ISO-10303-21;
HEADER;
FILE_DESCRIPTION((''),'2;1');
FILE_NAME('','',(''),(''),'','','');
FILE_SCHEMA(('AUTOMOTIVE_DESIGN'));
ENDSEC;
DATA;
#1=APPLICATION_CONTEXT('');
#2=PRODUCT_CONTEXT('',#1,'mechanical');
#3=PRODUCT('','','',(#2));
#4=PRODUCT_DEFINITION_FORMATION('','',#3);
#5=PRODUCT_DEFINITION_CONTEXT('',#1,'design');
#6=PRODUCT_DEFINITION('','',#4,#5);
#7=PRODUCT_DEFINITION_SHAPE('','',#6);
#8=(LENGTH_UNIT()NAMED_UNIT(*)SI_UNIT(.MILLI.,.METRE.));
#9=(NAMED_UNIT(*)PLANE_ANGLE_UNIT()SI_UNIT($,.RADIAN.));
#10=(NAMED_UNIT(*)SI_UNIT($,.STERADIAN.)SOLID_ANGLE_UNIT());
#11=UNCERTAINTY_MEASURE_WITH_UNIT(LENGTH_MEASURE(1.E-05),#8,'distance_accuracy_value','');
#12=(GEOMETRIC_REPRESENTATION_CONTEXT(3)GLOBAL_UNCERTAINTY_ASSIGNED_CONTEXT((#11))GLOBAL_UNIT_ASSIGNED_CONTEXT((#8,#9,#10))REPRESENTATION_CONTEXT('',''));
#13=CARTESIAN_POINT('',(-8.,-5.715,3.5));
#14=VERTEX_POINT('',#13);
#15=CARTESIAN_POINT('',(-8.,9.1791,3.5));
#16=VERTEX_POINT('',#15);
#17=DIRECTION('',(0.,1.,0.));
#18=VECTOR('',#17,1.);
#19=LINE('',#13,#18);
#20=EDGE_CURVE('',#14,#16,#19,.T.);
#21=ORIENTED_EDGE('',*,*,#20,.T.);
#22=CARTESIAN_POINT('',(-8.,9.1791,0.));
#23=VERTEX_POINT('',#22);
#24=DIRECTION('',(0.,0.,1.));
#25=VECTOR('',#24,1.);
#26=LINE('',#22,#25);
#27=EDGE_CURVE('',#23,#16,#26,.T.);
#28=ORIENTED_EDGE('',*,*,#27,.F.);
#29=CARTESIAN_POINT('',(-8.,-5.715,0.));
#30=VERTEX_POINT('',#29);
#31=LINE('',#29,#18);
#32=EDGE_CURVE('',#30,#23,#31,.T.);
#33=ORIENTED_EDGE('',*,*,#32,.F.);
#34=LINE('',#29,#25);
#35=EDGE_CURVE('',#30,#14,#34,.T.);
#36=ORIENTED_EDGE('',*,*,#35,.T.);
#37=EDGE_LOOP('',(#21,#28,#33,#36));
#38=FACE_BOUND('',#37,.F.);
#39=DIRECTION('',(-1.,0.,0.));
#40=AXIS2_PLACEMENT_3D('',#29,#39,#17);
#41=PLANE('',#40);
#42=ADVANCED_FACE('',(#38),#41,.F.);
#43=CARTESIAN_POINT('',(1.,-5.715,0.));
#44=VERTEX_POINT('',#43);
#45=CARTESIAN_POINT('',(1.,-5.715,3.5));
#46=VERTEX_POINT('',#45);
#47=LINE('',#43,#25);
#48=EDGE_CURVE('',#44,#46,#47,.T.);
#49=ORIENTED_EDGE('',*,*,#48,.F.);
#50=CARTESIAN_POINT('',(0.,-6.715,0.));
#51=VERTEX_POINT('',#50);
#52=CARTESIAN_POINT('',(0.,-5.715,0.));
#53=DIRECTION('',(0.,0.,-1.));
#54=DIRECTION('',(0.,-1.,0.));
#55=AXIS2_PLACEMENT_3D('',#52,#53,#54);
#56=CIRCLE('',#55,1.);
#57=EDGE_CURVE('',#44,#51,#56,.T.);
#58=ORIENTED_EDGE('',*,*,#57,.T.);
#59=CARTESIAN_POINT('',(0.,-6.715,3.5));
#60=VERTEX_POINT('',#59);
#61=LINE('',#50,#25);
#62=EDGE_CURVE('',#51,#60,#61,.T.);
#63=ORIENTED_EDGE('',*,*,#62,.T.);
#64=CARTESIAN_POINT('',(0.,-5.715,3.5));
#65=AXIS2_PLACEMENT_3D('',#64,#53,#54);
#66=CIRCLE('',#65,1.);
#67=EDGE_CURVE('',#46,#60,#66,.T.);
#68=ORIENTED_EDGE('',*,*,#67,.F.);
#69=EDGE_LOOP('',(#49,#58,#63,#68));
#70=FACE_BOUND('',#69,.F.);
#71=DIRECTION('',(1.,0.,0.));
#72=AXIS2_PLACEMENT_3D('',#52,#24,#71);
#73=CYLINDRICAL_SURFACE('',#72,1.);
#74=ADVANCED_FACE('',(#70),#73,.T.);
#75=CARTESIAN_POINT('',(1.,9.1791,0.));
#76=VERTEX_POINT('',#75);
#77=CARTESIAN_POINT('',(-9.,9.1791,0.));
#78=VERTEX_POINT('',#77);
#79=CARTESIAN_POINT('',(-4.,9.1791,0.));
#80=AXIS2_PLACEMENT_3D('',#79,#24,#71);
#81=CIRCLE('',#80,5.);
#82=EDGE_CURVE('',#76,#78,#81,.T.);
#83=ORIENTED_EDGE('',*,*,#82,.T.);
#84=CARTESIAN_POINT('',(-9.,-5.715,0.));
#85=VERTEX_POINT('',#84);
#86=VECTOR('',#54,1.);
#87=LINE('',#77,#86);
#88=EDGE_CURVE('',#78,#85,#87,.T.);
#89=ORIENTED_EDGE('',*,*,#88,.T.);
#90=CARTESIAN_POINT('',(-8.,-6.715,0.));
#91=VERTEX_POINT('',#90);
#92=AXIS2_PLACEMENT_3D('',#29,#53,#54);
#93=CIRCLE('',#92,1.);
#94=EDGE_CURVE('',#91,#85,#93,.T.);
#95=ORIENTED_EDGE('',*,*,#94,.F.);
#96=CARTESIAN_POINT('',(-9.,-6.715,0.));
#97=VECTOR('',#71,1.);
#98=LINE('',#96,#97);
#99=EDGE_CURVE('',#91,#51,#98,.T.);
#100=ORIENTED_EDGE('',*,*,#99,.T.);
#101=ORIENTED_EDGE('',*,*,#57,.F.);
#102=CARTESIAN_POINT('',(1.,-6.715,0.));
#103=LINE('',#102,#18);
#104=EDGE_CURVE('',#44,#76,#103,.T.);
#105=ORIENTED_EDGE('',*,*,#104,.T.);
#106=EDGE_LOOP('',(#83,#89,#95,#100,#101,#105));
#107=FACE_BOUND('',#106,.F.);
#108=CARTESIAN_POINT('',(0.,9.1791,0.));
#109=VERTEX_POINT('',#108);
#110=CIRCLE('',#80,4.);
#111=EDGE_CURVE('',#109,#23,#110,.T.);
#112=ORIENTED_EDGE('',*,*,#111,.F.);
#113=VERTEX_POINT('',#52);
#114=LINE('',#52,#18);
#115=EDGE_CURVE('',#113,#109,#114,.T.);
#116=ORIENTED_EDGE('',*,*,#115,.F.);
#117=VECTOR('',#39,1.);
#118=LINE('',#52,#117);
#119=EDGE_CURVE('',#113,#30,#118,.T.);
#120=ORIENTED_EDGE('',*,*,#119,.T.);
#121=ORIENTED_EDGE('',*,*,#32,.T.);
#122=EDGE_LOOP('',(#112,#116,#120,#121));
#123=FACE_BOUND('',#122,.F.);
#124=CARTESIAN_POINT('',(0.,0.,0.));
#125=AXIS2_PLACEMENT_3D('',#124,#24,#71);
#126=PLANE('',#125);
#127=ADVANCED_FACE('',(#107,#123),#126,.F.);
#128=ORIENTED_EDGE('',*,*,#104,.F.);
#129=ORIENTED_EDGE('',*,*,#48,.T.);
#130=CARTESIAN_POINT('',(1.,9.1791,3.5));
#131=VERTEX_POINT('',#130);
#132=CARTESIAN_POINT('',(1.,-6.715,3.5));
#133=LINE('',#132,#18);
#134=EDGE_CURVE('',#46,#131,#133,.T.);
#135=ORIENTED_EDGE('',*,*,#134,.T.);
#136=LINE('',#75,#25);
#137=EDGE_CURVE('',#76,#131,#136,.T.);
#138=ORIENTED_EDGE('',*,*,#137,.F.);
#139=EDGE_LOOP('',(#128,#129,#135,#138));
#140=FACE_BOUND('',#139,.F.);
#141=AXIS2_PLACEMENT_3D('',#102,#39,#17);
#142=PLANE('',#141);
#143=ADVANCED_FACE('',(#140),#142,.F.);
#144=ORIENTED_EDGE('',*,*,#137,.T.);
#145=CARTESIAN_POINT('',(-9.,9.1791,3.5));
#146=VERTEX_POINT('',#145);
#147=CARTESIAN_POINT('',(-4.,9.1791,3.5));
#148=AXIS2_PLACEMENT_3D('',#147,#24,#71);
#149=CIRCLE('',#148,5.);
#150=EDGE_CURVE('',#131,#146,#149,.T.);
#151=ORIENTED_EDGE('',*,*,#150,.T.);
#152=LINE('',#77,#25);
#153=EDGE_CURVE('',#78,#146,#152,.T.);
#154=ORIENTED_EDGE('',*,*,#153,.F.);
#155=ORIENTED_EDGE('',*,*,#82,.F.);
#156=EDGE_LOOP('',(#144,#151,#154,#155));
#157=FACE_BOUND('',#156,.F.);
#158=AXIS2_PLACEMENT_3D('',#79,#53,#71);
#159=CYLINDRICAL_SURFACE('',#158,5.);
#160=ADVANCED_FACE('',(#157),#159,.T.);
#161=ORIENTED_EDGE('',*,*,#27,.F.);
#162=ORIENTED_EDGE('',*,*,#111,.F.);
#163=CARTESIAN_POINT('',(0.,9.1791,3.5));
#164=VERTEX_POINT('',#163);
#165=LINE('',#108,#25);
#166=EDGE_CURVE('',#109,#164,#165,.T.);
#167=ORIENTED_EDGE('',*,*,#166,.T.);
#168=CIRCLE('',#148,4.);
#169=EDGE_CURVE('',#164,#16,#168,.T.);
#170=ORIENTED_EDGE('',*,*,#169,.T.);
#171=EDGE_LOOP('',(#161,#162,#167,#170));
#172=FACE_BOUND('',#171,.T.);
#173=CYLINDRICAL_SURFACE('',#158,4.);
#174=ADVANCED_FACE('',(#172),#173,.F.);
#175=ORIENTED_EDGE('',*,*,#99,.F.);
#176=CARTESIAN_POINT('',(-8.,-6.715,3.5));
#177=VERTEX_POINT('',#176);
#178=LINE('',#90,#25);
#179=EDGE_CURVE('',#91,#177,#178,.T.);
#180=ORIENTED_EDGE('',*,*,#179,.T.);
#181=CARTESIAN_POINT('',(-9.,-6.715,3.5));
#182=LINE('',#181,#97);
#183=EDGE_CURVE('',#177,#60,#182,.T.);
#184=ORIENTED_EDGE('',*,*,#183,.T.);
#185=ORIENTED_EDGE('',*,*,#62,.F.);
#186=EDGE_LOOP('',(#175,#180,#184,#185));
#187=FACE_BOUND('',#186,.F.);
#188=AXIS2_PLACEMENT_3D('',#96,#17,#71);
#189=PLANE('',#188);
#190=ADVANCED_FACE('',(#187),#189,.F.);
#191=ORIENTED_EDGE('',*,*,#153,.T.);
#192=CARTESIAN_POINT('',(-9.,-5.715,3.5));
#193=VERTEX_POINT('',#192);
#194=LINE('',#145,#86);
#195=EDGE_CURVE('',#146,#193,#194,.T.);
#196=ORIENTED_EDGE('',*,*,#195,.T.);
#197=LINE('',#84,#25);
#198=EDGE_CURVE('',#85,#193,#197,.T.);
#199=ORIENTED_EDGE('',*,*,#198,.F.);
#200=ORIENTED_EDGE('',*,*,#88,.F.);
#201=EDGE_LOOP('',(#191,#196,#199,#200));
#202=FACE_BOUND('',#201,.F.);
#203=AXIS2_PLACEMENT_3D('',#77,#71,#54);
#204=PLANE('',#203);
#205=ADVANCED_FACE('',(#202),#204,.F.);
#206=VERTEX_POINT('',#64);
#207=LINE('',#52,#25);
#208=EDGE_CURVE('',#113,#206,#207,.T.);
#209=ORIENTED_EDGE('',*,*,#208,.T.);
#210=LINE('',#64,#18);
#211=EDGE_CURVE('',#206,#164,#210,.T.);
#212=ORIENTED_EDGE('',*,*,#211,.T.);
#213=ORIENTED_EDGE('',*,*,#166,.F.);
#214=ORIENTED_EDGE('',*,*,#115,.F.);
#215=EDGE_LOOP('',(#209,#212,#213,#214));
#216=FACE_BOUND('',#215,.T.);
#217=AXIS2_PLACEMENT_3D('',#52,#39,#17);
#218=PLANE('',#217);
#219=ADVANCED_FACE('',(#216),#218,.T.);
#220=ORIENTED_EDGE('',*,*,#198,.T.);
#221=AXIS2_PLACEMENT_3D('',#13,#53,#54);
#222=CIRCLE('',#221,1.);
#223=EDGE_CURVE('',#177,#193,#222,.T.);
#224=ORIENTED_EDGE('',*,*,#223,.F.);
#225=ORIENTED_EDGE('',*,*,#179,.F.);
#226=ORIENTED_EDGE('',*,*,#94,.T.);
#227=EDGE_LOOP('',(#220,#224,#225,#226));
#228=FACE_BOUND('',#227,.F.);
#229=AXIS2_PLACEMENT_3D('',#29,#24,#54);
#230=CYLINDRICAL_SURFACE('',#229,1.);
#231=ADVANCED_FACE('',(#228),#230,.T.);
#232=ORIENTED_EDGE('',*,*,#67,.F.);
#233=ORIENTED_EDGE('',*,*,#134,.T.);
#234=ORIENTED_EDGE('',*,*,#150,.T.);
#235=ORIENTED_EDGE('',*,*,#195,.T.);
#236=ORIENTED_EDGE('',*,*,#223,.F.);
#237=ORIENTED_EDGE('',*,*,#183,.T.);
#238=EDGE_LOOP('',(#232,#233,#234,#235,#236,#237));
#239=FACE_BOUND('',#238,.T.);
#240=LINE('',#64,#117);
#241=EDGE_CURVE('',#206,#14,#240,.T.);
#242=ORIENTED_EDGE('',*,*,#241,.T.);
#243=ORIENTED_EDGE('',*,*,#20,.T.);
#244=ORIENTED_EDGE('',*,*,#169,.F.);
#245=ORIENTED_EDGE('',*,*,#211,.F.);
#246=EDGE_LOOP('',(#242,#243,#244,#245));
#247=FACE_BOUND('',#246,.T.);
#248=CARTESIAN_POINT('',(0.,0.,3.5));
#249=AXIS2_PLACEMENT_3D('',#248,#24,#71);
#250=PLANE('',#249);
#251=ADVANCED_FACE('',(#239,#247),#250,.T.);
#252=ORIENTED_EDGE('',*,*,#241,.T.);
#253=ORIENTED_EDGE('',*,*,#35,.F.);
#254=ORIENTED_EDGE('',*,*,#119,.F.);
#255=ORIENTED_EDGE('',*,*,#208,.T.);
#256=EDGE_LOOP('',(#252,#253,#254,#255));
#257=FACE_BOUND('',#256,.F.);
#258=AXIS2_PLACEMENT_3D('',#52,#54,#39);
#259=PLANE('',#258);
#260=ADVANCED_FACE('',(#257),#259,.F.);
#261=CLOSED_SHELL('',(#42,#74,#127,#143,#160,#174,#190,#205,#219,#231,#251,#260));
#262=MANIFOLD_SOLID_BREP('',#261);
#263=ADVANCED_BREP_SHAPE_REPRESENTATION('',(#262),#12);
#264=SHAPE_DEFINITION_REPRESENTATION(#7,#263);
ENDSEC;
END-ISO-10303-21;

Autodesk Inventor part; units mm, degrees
ref_plane "YZ Plane" through (0, 0, 0) normal (1, 0, 0) x (0, 1, 0)
ref_plane "XZ Plane" through (0, 0, 0) normal (0, 1, 0) x (-1, 0, 0)
ref_plane "XY Plane" through (0, 0, 0) normal (0, 0, 1) x (1, 0, 0)
sketch "Sketch1" plane through (0, 0, 0) normal (0, 0, 1) x (1, 0, 0)
  line L0 (1.5, -5.715) -> (0, -5.715) construction
  line L1 (1.5, 0) -> (1.5, -5.715) construction
  line L2 (0, 0) -> (1.5, 0) construction
  line L3 (0, 0) -> (0, -5.715) construction
  line L4 (1.5, 0) -> (0, 0) construction
  line L5 (1.5, 5.715) -> (1.5, 0) construction
  line L6 (0, 5.715) -> (1.5, 5.715) construction
  line L7 (0, 5.715) -> (0, 0) construction
  line L8 (-8, 0) -> (-9.5, 0) construction
  line L9 (-8, 5.715) -> (-8, 0) construction
  line L10 (-9.5, 5.715) -> (-8, 5.715) construction
  line L11 (-9.5, 5.715) -> (-9.5, 0) construction
  line L12 (-8, -5.715) -> (-9.5, -5.715) construction
  line L13 (-8, 0) -> (-8, -5.715) construction
  line L14 (-9.5, 0) -> (-8, 0) construction
  line L15 (-9.5, 0) -> (-9.5, -5.715) construction
  circle A0 centre (-4, 9.1791) radius 4 construction
  line L16 (-8, -5.715) -> (-8, 9.1791)
  line L17 (0, -5.715) -> (0, 9.1791)
  line L18 (0, -5.715) -> (-8, -5.715)
  arc A1 (0, 9.1791) -> (-8, 9.1791) centre (-4, 9.1791) ccw
  line L19 (-9, 9.1791) -> (-9, -6.715)
  line L20 (-9, -6.715) -> (1, -6.715)
  line L21 (1, -6.715) -> (1, 9.1791)
  arc A2 (1, 9.1791) -> (-9, 9.1791) centre (-4, 9.1791) ccw
  dimension "d0" = 1
extrude "Extrusion1" add sketch "Sketch1" along normal blind 3.5
fillet "Fillet1" radius 1 2 edges at (-9, -6.715, 1.75) (1, -6.715, 1.75)
properties part number "ZIP TIE GANTRY ROD"
